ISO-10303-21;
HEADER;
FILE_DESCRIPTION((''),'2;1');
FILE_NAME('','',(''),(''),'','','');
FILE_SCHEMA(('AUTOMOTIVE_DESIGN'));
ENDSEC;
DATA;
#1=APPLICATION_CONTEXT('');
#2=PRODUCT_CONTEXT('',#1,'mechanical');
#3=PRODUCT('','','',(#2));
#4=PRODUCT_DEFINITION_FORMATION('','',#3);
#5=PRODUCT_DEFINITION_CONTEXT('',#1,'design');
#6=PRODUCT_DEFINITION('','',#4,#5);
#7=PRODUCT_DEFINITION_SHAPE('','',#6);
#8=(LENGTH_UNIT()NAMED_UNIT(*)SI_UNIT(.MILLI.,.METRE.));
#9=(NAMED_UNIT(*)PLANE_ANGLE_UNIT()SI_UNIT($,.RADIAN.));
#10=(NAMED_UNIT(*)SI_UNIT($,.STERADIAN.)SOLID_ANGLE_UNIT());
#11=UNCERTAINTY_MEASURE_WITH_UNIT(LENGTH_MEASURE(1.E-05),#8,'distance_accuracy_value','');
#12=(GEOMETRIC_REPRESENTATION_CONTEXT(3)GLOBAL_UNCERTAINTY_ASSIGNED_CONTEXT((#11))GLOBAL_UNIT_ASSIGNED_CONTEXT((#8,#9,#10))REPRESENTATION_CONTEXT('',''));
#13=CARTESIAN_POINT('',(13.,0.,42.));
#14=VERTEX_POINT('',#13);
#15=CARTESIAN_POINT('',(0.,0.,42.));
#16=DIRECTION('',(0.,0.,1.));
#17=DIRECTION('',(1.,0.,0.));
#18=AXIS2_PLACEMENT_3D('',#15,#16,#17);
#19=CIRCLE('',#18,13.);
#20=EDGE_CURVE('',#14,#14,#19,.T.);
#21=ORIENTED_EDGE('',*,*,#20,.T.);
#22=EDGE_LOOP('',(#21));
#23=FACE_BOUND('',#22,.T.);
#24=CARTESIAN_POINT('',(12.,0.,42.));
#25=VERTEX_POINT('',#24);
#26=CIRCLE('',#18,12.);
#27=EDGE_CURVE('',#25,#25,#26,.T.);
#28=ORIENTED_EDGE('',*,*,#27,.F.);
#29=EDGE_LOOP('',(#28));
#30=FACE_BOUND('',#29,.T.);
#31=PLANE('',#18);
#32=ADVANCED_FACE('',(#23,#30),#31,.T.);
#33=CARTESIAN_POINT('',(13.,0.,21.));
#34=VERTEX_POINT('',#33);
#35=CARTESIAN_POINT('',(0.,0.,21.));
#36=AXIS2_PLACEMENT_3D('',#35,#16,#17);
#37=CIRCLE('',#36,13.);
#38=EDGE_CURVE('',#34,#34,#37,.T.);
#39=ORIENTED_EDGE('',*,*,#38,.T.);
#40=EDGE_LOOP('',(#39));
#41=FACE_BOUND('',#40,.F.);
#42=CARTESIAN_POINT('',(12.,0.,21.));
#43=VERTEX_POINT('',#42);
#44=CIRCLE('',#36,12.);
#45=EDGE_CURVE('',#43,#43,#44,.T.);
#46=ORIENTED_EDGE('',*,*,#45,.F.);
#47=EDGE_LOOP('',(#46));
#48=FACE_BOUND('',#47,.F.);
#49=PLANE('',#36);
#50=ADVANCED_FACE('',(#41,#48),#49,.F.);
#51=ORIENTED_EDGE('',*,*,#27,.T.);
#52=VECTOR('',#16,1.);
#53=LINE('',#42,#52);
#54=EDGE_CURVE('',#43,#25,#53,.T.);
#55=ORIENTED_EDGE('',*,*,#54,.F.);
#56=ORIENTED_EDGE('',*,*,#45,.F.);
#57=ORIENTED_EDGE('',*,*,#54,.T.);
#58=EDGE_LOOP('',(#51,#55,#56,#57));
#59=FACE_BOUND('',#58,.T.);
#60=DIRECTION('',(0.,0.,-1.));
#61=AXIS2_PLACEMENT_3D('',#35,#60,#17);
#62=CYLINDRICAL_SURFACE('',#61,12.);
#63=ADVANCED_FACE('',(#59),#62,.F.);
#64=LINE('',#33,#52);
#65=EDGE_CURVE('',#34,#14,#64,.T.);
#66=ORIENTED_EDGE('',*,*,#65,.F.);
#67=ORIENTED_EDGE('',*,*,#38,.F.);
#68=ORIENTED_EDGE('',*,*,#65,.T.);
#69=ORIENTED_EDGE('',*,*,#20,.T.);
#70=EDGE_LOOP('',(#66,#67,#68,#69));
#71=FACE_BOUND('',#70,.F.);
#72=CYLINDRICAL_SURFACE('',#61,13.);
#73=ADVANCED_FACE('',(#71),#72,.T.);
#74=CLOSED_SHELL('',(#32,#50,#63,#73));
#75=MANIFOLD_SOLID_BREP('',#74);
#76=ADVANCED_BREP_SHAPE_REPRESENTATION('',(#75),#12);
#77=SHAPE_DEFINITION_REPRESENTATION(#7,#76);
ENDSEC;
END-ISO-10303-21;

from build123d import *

# Parameters (mm, degrees)
CYLINDER011_R     = 12
CYLINDER011_DEPTH = 21
CYLINDER010_R     = 13
CYLINDER010_DEPTH = 21


with BuildPart() as cylinder006:
    # Cylinder011 → Cylinder011 (new body)
    with BuildSketch(Plane.XY):
        Circle(CYLINDER011_R)
    extrude(amount=CYLINDER011_DEPTH)


with BuildPart() as cut006:
    # Cylinder010 → Cylinder010 (new body)
    with BuildSketch(Plane.XY):
        Circle(CYLINDER010_R)
    extrude(amount=CYLINDER010_DEPTH)

    # Cut006: cut Cylinder006
    add(cylinder006.part, mode=Mode.SUBTRACT)


with BuildPart() as cut006_1:
    # Cut006 placement: moved
    add(cut006.part.moved(Location((0, 0, 21))))


solid = cut006_1.part
